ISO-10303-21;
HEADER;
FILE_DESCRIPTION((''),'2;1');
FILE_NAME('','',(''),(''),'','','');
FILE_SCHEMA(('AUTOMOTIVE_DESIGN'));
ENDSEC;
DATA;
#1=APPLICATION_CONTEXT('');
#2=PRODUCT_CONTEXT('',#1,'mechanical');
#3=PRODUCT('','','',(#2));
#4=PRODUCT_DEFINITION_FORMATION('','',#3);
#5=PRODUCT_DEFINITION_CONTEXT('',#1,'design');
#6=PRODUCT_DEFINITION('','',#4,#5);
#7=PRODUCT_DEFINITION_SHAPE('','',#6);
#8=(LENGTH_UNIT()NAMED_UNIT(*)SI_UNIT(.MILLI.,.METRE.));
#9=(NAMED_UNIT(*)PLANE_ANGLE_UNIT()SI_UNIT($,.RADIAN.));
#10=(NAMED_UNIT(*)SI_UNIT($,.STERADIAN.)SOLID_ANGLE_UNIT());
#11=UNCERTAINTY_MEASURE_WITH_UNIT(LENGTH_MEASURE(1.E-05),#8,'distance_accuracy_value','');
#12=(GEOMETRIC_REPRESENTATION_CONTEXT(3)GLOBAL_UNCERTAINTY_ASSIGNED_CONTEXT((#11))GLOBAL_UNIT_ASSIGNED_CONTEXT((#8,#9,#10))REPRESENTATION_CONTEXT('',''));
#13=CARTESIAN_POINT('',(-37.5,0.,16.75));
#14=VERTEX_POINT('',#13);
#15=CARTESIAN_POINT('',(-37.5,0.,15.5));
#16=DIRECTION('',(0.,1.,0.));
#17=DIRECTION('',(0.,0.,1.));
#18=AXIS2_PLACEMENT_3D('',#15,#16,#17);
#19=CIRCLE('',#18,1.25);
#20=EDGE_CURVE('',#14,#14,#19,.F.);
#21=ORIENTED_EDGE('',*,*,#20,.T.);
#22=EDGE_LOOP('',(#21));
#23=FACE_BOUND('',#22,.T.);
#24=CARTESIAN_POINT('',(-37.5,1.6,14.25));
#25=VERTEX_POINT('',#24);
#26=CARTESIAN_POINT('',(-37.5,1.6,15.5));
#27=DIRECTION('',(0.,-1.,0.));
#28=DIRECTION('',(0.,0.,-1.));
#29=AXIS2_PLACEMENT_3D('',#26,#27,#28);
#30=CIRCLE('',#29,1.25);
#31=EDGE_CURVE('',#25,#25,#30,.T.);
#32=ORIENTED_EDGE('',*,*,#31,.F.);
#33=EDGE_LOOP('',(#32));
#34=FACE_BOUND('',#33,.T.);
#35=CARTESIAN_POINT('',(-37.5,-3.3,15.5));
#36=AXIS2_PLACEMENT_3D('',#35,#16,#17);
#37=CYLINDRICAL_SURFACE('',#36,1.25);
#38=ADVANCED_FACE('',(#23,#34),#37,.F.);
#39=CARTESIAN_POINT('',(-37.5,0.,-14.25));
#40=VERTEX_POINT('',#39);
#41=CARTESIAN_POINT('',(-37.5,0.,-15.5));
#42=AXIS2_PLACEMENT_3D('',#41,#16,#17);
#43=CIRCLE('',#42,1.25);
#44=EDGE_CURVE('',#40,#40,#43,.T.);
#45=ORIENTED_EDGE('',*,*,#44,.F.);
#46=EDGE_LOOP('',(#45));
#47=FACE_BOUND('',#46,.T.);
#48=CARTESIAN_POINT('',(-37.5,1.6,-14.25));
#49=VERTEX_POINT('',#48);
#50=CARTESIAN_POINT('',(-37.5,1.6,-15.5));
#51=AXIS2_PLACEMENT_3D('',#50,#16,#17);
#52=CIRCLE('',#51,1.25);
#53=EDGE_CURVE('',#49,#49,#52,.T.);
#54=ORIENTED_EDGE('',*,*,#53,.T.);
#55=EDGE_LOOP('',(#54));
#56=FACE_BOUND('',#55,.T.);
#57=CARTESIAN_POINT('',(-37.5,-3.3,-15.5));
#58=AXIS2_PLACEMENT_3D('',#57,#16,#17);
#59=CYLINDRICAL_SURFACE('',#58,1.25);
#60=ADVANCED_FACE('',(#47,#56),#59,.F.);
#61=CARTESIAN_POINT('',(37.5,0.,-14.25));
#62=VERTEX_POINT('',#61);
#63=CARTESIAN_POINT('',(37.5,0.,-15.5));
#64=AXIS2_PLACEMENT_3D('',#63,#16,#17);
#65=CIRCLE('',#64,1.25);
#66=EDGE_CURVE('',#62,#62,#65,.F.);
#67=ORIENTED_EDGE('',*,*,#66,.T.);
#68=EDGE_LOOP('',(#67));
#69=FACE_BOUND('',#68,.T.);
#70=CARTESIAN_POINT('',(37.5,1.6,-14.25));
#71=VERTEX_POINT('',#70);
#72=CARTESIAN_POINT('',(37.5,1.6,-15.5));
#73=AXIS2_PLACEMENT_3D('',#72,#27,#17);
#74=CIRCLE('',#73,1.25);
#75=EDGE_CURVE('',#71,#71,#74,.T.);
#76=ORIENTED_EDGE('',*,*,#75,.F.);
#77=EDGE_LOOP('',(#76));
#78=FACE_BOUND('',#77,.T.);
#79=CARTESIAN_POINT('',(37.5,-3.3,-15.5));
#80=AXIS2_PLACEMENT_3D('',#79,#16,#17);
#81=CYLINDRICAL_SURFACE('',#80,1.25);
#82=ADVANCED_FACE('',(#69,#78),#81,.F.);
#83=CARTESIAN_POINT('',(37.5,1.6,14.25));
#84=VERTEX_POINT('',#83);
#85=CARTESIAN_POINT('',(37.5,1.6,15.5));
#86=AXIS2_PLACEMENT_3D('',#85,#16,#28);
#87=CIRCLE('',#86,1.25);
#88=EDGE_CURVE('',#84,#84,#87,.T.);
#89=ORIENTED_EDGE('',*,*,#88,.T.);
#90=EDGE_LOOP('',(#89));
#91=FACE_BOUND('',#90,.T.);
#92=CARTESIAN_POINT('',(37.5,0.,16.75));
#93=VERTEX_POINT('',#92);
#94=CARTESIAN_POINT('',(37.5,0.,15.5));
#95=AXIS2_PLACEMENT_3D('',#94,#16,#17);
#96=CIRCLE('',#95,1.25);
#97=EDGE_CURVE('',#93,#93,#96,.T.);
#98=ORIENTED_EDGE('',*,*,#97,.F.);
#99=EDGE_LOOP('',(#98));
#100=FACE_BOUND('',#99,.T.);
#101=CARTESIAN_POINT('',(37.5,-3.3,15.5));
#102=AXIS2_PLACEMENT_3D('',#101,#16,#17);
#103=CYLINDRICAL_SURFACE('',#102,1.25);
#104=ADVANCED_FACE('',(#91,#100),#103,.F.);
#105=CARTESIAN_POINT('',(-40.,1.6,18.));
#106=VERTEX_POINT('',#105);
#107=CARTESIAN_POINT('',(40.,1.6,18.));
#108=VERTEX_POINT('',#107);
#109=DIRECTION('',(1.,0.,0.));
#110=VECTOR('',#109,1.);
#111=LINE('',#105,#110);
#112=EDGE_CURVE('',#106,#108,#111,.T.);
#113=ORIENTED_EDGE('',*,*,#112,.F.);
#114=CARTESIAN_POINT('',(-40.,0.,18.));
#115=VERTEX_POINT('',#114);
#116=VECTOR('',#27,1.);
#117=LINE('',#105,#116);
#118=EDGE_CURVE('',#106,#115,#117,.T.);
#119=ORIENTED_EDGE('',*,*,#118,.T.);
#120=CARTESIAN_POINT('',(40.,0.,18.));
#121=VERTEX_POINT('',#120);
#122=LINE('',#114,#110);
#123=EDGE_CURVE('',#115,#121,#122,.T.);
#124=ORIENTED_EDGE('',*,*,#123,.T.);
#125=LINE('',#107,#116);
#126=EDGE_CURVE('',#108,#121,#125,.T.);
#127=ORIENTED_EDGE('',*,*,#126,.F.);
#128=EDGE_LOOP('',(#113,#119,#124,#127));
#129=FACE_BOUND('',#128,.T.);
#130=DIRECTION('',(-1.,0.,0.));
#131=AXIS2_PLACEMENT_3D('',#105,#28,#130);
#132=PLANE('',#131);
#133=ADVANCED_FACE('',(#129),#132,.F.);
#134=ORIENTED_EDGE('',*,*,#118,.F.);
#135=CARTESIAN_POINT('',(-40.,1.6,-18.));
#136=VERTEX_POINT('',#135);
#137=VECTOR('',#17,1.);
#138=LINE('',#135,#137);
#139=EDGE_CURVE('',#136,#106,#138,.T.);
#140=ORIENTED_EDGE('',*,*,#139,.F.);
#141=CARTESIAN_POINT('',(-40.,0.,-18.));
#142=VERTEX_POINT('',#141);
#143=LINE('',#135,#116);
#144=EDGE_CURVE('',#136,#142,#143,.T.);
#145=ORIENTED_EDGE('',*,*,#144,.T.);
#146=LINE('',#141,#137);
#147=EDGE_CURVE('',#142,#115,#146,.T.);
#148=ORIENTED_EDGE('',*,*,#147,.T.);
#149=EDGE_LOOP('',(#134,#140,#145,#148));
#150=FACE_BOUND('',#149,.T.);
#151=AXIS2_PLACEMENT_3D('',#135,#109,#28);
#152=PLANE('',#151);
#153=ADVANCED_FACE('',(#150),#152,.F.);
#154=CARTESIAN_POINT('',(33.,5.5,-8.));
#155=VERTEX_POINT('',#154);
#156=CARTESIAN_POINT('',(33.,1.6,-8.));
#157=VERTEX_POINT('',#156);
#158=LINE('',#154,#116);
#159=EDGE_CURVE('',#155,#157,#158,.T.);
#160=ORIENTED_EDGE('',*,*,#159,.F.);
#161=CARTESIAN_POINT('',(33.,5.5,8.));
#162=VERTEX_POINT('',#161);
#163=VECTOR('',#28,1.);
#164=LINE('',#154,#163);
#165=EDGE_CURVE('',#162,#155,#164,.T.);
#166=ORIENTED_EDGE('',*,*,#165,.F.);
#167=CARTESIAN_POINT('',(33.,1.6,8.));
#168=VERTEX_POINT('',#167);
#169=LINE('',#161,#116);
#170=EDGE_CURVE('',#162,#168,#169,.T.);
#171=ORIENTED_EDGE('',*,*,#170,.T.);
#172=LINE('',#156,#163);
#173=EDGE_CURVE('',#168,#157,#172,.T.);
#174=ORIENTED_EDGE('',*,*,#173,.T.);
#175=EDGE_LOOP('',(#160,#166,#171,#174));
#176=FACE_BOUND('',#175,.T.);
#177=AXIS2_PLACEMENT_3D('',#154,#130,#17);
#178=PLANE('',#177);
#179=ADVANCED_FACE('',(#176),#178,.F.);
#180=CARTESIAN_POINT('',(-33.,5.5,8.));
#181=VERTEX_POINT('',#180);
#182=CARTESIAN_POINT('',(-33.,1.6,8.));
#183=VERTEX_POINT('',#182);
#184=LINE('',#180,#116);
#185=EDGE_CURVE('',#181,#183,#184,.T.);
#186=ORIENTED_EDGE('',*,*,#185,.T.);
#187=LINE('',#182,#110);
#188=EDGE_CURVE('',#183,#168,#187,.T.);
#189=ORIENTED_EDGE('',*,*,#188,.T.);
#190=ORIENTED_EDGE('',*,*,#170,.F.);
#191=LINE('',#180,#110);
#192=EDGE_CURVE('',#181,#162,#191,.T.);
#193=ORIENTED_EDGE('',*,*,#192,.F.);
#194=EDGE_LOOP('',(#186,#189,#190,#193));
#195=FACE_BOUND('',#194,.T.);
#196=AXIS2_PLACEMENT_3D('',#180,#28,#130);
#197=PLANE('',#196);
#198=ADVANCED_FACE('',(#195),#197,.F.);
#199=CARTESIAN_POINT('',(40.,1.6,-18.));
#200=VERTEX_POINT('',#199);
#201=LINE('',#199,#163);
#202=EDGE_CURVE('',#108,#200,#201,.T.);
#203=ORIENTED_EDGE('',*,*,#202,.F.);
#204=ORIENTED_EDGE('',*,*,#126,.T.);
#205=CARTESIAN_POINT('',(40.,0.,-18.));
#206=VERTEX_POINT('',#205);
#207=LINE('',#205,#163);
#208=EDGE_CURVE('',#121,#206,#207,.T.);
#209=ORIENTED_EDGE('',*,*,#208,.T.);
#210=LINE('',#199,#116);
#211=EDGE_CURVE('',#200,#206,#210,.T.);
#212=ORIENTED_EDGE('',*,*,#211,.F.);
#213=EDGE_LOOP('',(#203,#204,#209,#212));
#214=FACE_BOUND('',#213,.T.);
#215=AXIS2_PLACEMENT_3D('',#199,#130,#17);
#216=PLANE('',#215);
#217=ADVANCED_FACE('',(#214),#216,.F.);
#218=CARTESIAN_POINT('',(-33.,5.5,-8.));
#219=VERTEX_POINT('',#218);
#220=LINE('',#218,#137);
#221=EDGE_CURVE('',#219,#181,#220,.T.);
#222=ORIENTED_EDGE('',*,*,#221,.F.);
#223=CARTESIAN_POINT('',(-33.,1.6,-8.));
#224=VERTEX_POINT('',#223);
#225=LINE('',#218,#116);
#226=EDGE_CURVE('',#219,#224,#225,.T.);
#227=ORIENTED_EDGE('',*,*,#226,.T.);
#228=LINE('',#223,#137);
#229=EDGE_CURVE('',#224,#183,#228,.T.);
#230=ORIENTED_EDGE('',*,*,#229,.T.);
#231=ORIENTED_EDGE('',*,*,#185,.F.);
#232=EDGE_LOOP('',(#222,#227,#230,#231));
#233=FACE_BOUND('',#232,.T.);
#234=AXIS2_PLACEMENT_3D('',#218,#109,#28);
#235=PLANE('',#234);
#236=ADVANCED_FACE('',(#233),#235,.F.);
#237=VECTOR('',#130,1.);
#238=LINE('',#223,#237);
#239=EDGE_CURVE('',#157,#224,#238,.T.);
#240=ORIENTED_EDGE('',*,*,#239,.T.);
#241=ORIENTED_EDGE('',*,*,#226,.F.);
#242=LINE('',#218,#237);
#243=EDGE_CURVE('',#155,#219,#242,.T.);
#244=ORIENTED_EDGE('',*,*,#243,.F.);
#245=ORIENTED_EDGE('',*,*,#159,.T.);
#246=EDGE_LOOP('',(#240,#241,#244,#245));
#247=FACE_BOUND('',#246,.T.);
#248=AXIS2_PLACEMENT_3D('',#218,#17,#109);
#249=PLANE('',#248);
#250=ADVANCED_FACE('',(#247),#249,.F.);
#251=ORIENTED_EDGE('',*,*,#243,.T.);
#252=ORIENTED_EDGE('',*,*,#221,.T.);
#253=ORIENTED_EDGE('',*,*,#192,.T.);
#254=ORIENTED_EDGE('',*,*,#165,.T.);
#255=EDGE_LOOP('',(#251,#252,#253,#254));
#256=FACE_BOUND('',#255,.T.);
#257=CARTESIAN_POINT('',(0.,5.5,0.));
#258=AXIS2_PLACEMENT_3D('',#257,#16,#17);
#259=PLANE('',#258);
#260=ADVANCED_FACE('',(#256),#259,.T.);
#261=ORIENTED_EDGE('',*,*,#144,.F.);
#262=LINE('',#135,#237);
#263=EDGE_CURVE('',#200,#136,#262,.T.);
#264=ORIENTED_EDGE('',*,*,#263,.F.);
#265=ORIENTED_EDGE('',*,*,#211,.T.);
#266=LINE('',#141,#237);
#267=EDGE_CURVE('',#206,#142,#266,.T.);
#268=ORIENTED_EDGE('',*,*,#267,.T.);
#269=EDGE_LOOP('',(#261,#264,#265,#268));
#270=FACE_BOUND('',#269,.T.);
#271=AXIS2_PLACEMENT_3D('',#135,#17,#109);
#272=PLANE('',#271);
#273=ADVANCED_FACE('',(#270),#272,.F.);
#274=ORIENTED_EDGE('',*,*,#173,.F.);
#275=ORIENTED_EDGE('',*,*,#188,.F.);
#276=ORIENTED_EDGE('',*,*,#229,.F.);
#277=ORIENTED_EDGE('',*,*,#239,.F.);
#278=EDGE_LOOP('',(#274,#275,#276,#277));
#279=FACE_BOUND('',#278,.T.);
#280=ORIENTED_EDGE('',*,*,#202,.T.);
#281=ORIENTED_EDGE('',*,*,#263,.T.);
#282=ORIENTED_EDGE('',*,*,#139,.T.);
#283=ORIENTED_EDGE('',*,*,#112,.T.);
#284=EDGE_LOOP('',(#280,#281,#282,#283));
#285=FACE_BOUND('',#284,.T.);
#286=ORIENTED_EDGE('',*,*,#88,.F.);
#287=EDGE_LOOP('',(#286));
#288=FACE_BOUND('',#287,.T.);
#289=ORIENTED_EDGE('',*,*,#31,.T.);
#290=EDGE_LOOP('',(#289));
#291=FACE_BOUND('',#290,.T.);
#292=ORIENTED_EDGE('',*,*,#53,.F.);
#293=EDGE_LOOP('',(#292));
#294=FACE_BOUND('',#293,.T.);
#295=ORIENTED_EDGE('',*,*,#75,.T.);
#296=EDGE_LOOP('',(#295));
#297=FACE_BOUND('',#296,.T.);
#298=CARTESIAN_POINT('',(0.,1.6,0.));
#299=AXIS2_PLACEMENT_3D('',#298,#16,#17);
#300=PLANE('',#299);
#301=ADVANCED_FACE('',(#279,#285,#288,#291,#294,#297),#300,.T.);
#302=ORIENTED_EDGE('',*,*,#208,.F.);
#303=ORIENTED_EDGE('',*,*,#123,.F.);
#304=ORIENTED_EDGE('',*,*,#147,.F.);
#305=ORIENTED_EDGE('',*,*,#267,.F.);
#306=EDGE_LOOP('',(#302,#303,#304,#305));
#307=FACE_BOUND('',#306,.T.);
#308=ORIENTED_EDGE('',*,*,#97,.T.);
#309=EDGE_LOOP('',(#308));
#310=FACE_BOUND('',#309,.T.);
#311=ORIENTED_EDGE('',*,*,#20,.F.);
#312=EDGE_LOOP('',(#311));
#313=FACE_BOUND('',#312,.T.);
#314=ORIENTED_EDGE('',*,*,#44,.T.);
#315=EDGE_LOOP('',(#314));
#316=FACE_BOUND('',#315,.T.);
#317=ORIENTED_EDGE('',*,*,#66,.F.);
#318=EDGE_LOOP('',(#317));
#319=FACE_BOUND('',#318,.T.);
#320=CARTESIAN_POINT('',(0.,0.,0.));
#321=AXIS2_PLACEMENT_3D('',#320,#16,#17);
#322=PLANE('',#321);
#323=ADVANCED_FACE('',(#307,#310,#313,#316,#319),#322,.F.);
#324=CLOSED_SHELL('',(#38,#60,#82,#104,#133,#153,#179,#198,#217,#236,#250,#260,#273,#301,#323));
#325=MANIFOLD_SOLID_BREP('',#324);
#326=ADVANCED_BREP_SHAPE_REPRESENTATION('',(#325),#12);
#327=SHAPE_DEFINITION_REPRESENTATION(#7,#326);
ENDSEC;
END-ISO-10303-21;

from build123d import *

# Parameters (mm, degrees)
SKETCH1_W               = 80
SKETCH1_H               = 36
BOSS_EXTRUDE1_DEPTH     = 1.6
SKETCH3_W               = 66
SKETCH3_H               = 16
BOSS_EXTRUDE2_DEPTH     = 3.9
SKETCH4_R               = 1.25
CUT_EXTRUDE1_DEPTH      = 4.9
MIRROR3_COPY_1_SKETCH_R = 1.25
MIRROR3_COPY_1_DEPTH    = 4.9


with BuildPart() as part:
    # Sketch1 → Boss-Extrude1 (new body)
    with BuildSketch(Plane(origin=(0, 0, 0), x_dir=(1, 0, 0), z_dir=(0, 1, 0))):
        Rectangle(SKETCH1_W, SKETCH1_H)
    extrude(amount=BOSS_EXTRUDE1_DEPTH)

    # Sketch3 → Boss-Extrude2 (add)
    with BuildSketch(Plane(origin=(0, 1.6, 0), x_dir=(1, 0, 0), z_dir=(0, 1, 0))):
        Rectangle(SKETCH3_W, SKETCH3_H)
    extrude(amount=BOSS_EXTRUDE2_DEPTH)

    # Sketch4 → Cut-Extrude1 (cut)
    with BuildSketch(Plane(origin=(0, 1.6, 0), x_dir=(1, 0, 0), z_dir=(0, 1, 0))):
        with Locations(Location((-37.5, 15.5, 0), (0, 0, 270))):
            Circle(SKETCH4_R)
    cut_extrude1 = extrude(amount=-CUT_EXTRUDE1_DEPTH, mode=Mode.SUBTRACT)

    # Mirror2: Cut-Extrude1 across plane
    add(cut_extrude1.mirror(Plane.ZY), mode=Mode.SUBTRACT)

    # Mirror3: Cut-Extrude1 across plane
    add(cut_extrude1.mirror(Plane.XY), mode=Mode.SUBTRACT)

    # Mirror3 copy 1 sketch → Mirror3 copy 1 (cut)
    with BuildSketch(Plane(origin=(0, 1.6, 0), x_dir=(-1, 0, 0), z_dir=(0, 1, 0))):
        with Locations(Location((-37.5, 15.5, 0), (0, 0, 270))):
            Circle(MIRROR3_COPY_1_SKETCH_R)
    extrude(amount=-MIRROR3_COPY_1_DEPTH, mode=Mode.SUBTRACT)


solid = part.part
